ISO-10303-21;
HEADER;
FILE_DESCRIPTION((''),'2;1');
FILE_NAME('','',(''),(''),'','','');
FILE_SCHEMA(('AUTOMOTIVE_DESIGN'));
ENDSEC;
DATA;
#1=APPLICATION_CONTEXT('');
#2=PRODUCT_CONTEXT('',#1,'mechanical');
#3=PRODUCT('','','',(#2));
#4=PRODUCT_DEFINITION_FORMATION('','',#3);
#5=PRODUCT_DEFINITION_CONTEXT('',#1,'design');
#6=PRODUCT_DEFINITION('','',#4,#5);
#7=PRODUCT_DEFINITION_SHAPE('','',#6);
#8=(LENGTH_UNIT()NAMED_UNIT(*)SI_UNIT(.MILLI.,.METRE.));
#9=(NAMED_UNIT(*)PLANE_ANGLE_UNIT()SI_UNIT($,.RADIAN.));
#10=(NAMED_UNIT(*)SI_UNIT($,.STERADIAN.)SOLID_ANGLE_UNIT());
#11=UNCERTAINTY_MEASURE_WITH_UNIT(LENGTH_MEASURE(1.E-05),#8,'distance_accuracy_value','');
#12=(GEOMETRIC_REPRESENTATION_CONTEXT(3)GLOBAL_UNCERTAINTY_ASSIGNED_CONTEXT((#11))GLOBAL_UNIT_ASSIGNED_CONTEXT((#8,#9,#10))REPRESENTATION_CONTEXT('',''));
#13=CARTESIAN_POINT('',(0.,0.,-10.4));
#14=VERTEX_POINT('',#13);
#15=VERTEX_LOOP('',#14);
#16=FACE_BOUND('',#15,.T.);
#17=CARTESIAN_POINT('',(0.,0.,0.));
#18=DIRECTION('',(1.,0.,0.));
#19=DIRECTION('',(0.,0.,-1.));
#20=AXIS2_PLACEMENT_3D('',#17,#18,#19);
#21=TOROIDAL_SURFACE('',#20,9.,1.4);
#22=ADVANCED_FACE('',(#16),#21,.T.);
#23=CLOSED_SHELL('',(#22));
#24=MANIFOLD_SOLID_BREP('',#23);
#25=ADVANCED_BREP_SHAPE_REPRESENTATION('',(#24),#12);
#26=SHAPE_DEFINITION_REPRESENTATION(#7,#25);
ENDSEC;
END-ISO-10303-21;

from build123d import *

# Parameters (mm, degrees)
SKETCH1_R = 1.4


with BuildPart() as part:
    # Sketch1 → Revolve1 (revolve)
    with BuildSketch(Plane.XY, mode=Mode.PRIVATE) as revolve1_sk:
        with Locations((0, 9)):
            Circle(SKETCH1_R)
    revolve(revolve1_sk.sketch.rotate(Axis((1.54, 0, 0), (-1, 0, 0)), 90), axis=Axis((1.54, 0, 0), (-1, 0, 0)))


solid = part.part
